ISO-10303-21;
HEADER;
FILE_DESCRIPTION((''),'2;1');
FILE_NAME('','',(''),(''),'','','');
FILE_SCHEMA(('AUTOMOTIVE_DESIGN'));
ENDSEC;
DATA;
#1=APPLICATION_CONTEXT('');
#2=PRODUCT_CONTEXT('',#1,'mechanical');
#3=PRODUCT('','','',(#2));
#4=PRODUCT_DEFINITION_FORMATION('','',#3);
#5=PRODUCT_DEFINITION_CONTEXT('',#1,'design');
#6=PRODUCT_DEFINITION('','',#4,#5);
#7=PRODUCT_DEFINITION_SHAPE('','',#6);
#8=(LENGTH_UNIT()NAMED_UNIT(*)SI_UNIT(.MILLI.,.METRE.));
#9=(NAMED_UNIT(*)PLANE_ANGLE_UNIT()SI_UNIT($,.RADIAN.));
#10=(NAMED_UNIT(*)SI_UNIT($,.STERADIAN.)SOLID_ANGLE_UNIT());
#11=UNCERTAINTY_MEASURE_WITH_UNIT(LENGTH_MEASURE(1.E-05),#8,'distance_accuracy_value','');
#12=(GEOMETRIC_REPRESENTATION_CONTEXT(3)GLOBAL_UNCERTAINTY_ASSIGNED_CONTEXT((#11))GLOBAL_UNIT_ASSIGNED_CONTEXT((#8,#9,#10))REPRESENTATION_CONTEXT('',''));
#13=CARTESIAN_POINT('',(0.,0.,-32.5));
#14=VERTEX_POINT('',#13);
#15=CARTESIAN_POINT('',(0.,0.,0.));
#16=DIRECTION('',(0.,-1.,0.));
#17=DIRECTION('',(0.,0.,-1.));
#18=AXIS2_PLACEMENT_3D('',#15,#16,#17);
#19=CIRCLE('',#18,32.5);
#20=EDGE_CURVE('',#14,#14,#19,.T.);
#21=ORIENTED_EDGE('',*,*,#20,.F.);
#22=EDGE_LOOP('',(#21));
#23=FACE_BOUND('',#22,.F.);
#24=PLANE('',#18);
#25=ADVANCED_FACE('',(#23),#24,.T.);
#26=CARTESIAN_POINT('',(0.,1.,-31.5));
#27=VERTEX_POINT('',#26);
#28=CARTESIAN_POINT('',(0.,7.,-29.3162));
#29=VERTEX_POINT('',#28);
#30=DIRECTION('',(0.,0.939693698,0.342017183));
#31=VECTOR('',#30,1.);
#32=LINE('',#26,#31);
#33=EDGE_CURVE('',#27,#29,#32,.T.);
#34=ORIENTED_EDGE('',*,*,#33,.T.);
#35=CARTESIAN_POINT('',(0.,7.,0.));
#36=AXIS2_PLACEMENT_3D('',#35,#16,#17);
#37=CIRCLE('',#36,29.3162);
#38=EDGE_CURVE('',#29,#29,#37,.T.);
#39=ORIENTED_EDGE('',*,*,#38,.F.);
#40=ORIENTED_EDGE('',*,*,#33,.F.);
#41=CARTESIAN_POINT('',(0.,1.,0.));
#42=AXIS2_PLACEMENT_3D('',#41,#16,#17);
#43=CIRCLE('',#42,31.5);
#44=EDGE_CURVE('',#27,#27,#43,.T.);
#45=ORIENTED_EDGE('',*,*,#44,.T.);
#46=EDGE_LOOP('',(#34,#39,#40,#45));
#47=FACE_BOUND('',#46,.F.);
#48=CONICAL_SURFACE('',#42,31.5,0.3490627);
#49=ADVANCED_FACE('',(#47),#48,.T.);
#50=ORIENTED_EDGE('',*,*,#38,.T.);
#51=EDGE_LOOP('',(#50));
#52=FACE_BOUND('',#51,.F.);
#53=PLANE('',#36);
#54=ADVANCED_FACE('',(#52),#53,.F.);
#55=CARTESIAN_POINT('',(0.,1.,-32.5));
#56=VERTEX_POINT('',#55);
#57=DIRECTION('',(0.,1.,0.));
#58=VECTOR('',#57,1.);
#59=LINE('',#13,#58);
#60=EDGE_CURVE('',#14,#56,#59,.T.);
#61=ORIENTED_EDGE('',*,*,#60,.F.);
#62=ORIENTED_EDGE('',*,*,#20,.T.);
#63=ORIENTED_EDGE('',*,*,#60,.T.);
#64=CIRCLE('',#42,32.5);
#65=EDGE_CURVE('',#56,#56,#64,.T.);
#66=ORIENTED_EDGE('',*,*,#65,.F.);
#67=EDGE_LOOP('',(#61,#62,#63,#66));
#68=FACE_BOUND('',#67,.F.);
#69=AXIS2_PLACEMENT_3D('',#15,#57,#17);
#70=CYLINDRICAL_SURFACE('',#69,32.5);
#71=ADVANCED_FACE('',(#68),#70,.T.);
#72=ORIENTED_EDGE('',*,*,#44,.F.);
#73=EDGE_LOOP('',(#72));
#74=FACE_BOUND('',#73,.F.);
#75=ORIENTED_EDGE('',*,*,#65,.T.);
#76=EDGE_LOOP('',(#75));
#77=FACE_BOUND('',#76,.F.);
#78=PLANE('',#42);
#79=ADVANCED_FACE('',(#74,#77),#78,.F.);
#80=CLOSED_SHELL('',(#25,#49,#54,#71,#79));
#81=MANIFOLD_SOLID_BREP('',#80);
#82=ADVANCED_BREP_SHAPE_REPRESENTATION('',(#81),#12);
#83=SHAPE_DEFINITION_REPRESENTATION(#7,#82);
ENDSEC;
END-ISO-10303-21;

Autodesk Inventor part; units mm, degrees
ref_plane "YZ Plane" through (0, 0, 0) normal (1, 0, 0) x (0, 1, 0)
ref_plane "XZ Plane" through (0, 0, 0) normal (0, 1, 0) x (-1, 0, 0)
ref_plane "XY Plane" through (0, 0, 0) normal (0, 0, 1) x (1, 0, 0)
sketch "Sketch1" plane through (0, 0, 0) normal (1, 0, 0) x (0, 1, 0)
  line L0 (0, 0) -> (0, -32.5)
  line L1 (0, -32.5) -> (1, -32.5)
  line L2 (1, -32.5) -> (1, -31.5)
  line L3 (1, -31.5) -> (7, -29.3162)
  line L4 (1, -31.5) -> (7.3851, -31.5) construction
  line L5 (7, -29.3162) -> (7, 0)
  line L6 (7, 0) -> (0, 0)
  dimension "d0" = 32.5
  dimension "d2" = 1
  dimension "d3" = 20
  dimension "d5" = 7
  dimension "d6" = 1
revolve "Revolution1" add sketch "Sketch1" angle 360 about axis through (0, 7, 0) along (0, -1, 0)
properties part number "Wheel"
